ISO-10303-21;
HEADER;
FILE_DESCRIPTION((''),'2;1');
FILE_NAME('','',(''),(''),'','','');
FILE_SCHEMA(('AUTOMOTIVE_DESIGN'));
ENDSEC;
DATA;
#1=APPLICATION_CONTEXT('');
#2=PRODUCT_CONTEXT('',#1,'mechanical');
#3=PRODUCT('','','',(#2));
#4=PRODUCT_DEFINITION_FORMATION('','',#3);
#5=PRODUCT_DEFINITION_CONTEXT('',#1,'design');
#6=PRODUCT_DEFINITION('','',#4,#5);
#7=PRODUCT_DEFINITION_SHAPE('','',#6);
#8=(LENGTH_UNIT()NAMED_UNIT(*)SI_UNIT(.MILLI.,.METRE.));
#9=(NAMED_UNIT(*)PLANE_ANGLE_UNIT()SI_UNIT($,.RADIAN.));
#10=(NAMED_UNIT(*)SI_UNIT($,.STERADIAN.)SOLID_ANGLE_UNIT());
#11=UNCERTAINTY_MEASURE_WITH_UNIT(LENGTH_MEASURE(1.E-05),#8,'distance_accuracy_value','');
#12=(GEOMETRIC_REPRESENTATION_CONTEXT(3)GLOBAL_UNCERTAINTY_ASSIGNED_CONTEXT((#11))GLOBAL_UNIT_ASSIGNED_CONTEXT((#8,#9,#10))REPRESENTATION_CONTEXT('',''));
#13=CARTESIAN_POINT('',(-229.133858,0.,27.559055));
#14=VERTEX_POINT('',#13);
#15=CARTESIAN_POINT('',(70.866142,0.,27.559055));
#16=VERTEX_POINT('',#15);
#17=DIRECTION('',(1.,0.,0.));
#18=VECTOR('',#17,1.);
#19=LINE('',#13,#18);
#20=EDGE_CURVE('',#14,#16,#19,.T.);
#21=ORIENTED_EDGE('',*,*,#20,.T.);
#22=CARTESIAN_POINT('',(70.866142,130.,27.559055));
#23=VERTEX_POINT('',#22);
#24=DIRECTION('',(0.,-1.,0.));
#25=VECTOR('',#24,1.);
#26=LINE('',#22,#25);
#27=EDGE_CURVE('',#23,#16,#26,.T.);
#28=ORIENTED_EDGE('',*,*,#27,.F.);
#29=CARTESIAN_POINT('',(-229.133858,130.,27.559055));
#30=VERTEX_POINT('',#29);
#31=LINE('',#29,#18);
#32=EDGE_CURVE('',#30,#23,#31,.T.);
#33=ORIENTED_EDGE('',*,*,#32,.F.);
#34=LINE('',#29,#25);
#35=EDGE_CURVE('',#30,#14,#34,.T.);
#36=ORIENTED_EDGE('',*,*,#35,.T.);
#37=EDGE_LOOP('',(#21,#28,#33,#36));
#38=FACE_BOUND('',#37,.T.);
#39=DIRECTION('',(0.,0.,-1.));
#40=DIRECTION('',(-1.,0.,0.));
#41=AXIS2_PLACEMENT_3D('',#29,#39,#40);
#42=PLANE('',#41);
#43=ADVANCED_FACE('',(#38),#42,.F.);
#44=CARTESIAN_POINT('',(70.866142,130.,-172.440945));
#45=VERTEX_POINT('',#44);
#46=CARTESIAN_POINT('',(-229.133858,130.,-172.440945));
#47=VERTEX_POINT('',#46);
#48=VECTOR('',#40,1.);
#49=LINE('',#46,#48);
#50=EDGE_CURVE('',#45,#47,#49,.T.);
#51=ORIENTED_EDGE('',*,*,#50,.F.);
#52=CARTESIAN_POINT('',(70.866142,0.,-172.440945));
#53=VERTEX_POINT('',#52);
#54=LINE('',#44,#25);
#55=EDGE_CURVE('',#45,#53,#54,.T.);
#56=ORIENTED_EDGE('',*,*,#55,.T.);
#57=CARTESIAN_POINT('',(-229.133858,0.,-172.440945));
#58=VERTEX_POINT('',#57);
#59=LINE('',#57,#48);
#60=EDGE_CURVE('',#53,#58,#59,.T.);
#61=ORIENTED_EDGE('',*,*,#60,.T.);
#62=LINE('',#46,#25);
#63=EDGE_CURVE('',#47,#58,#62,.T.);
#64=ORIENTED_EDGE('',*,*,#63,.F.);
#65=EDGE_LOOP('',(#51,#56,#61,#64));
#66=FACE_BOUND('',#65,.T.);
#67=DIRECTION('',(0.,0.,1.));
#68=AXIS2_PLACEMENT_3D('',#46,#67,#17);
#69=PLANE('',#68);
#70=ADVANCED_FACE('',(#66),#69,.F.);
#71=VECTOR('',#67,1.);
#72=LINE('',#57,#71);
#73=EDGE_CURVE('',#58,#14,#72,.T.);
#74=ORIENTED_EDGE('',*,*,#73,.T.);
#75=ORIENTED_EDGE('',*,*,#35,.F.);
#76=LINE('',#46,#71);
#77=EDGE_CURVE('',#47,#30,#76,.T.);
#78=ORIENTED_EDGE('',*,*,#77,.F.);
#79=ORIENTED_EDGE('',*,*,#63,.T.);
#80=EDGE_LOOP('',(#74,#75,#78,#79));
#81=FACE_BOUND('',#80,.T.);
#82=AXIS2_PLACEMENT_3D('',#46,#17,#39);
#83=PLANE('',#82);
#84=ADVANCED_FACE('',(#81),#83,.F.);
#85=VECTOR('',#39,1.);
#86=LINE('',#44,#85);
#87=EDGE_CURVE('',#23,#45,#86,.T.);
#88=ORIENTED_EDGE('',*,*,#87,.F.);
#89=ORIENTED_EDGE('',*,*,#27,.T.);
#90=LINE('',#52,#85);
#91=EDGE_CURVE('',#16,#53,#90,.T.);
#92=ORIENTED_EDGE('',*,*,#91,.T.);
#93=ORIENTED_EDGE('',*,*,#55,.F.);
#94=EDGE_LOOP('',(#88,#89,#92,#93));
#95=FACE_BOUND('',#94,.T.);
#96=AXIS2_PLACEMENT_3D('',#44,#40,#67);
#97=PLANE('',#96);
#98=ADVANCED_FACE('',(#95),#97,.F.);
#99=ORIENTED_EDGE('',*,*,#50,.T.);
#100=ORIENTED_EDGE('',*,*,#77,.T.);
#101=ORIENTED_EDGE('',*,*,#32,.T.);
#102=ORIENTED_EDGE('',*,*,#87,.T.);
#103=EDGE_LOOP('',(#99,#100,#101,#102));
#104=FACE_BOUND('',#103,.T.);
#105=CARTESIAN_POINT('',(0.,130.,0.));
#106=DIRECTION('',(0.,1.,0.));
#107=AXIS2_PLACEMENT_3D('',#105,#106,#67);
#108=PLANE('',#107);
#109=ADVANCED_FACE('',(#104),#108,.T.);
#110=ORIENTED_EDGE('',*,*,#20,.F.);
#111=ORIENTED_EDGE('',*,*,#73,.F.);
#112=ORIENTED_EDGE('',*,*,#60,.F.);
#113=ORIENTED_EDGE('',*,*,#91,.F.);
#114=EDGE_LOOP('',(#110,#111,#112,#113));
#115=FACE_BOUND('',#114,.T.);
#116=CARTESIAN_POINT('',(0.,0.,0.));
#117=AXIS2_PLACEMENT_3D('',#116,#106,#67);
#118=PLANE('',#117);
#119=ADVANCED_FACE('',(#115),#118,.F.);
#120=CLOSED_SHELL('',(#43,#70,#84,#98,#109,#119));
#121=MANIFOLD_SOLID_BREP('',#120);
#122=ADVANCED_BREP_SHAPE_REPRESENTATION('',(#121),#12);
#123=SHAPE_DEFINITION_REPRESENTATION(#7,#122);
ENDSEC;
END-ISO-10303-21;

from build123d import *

# Parameters (mm, degrees)
SKETCH1_W           = 300
SKETCH1_H           = 200
BOSS_EXTRUDE1_DEPTH = 130


with BuildPart() as part:
    # Sketch1 → Boss-Extrude1 (new body)
    with BuildSketch(Plane(origin=(0, 0, 0), x_dir=(1, 0, 0), z_dir=(0, 1, 0))):
        with Locations((-79.133858268, 72.440944882)):
            Rectangle(SKETCH1_W, SKETCH1_H)
    extrude(amount=BOSS_EXTRUDE1_DEPTH)


solid = part.part
